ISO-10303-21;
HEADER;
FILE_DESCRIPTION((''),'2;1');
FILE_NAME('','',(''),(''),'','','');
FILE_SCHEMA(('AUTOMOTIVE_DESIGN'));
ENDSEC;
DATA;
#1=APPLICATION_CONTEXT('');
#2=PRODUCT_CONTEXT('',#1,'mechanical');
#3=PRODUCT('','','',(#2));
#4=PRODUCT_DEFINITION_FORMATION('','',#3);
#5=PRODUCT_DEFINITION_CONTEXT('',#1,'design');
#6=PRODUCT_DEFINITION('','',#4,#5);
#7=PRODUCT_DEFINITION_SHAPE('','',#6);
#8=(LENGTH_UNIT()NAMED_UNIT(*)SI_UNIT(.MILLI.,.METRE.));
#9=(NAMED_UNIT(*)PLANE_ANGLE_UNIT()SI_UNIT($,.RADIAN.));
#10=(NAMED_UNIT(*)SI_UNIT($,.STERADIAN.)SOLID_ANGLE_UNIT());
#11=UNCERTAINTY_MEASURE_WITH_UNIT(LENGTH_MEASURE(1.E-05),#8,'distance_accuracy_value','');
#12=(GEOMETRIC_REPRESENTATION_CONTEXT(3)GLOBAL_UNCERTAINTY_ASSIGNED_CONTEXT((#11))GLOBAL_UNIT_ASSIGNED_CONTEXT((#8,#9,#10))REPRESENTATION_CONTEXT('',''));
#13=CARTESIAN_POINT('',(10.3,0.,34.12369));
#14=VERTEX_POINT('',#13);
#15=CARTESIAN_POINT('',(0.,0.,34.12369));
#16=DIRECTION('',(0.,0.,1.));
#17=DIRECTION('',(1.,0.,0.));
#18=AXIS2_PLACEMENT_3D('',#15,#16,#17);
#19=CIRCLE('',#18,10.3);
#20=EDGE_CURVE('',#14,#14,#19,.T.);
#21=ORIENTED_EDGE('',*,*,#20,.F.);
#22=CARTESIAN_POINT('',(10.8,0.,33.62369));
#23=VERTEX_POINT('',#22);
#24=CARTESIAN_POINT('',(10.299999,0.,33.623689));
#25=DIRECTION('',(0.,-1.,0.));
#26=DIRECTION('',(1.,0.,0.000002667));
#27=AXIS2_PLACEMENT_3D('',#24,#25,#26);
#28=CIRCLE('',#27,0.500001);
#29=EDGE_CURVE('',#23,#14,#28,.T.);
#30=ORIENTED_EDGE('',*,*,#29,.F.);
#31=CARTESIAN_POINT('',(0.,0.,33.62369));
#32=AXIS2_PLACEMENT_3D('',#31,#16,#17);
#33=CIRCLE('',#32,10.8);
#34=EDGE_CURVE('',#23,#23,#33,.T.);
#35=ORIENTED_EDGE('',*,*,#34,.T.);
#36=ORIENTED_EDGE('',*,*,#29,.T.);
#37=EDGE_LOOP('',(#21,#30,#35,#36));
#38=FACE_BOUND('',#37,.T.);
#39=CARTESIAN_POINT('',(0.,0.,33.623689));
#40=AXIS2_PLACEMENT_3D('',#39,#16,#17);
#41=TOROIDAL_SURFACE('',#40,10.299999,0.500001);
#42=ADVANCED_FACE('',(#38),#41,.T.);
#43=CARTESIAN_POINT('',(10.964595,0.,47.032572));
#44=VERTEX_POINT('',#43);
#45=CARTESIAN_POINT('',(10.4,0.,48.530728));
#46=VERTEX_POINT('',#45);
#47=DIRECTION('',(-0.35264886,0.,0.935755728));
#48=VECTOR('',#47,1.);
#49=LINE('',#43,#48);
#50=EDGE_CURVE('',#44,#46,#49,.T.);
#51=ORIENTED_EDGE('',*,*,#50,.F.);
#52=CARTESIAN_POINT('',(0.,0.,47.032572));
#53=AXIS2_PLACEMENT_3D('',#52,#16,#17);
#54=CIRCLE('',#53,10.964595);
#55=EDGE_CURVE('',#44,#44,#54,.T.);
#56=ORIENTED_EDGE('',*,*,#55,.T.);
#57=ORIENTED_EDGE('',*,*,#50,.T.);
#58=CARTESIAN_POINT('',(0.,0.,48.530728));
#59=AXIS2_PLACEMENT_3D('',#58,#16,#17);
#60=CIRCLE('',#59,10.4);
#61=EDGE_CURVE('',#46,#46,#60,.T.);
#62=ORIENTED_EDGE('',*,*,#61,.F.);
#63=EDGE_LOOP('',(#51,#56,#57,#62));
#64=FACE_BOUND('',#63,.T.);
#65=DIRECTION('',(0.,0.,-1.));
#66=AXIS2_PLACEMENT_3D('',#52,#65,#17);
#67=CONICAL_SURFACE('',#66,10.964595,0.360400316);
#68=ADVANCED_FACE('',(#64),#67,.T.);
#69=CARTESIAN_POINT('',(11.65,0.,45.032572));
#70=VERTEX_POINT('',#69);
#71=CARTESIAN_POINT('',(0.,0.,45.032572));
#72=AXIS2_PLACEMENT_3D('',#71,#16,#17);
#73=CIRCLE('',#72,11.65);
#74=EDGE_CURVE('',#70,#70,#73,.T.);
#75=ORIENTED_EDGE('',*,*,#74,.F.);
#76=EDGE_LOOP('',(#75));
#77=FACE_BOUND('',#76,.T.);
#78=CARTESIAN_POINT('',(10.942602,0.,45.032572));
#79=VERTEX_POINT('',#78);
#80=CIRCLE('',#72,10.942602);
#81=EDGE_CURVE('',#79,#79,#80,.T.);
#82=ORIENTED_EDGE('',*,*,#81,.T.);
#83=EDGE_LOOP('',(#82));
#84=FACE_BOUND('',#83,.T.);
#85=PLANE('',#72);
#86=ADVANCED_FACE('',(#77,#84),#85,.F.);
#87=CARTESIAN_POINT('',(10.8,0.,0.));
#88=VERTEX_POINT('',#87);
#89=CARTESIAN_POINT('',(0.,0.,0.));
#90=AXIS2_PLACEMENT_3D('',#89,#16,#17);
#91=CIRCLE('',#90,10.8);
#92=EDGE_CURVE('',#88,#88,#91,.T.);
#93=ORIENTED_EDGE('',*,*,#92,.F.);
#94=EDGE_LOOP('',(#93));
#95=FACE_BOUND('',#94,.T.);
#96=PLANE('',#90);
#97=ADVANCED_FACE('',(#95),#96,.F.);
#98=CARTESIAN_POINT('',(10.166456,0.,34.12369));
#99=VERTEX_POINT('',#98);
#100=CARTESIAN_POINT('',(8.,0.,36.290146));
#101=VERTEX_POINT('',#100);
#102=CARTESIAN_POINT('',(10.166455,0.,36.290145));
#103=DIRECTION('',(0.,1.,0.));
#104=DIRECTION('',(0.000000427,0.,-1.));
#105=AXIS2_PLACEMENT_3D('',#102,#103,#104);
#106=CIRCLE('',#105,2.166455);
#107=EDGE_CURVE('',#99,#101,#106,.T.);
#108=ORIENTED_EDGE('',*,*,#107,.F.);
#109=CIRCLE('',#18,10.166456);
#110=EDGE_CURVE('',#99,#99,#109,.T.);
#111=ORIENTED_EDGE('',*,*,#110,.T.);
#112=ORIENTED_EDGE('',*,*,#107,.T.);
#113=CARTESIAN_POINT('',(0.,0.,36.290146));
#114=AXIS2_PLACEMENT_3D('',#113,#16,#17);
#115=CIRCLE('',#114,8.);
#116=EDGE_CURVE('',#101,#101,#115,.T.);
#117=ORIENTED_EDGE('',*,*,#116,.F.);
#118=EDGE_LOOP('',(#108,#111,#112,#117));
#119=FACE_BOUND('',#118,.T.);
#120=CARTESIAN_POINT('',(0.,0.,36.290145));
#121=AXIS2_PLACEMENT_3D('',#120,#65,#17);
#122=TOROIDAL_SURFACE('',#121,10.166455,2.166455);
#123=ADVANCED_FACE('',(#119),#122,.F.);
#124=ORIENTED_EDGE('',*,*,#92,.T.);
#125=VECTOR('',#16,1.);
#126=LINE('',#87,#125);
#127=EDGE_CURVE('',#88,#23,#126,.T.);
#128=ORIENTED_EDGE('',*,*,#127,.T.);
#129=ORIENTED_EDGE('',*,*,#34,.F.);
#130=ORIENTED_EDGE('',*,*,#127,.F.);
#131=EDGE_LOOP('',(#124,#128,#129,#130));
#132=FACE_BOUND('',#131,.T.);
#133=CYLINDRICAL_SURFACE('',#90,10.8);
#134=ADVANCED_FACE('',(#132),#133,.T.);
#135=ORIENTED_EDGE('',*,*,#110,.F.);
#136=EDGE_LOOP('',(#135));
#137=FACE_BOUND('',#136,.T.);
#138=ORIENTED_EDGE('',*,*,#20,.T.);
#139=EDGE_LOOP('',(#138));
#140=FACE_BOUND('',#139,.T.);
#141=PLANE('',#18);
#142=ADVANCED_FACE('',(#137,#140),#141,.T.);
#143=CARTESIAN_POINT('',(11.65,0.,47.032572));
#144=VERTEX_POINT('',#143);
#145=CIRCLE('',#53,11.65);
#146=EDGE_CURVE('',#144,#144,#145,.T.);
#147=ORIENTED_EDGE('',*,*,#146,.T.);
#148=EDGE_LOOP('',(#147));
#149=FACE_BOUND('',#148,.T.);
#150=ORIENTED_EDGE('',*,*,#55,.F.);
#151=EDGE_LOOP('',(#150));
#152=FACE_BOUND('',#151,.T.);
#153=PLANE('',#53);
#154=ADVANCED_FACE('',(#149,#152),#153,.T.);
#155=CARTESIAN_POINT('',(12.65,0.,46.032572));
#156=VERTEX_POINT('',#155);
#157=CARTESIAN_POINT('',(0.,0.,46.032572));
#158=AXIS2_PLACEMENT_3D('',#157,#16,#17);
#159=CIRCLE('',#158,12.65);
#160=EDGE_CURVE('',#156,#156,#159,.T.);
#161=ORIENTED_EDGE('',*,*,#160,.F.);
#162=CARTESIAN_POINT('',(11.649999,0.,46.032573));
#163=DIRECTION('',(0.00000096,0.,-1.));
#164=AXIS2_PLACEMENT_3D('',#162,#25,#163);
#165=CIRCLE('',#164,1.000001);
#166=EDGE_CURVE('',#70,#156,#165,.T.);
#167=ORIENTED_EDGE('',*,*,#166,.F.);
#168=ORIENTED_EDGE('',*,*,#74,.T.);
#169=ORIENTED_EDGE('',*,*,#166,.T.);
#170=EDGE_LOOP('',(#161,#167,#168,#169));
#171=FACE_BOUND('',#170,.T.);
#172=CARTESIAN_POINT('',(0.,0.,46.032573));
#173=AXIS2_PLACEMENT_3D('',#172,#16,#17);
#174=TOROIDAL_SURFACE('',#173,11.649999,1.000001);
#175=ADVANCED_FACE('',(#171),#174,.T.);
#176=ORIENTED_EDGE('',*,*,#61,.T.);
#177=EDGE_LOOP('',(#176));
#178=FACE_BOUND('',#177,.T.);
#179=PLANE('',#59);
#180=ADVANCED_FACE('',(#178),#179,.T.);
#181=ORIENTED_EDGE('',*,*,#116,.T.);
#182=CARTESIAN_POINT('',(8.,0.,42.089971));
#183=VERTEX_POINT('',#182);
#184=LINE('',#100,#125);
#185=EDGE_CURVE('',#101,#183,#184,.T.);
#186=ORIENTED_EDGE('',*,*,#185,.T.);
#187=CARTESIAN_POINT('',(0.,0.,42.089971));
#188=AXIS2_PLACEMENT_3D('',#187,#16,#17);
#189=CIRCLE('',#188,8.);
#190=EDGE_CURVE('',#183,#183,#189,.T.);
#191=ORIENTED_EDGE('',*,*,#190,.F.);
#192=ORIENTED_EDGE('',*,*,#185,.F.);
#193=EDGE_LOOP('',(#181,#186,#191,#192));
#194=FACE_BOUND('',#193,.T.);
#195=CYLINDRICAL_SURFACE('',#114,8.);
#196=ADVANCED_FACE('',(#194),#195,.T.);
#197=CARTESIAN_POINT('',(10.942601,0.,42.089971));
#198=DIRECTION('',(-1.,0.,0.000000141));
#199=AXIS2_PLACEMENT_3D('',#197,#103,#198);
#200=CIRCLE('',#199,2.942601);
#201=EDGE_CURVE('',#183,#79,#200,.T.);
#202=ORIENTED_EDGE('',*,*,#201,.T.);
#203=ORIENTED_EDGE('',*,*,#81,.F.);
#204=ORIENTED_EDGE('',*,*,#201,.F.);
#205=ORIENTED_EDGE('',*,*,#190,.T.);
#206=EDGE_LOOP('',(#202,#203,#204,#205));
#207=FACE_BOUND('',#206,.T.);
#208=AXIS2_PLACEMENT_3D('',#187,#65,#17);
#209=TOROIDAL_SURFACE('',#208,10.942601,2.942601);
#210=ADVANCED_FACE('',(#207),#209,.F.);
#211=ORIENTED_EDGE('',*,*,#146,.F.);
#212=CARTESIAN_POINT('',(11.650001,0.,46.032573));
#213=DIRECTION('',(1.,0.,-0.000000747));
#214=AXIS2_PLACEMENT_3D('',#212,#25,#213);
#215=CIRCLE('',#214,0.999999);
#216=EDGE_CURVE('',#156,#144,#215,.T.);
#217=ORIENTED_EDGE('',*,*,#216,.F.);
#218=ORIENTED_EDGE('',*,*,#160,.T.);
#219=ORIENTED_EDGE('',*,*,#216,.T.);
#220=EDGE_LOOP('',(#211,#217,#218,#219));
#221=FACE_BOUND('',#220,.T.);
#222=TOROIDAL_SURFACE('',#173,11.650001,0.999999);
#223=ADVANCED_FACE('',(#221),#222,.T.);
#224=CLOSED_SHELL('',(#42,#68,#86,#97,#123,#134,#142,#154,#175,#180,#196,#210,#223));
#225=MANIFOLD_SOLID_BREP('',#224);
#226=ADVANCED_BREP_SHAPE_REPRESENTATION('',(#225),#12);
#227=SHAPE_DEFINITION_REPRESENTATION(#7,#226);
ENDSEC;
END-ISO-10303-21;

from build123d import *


with BuildPart() as f2:
    # F0 (on Front) → F2 (revolve)
    with BuildSketch(Plane.XZ):
        with BuildLine():
            Line((0, 48.530728), (0, 0))
            Line((0, 0), (10.8, 0))
            Line((10.8, 0), (10.8, 33.62369))
            ThreePointArc((10.8, 33.62369), (10.653553, 33.977243), (10.3, 34.12369))
            Line((10.3, 34.12369), (10.166456, 34.12369))
            ThreePointArc((10.166456, 34.12369), (8.63454, 34.75823), (8, 36.290146))
            Line((8, 36.290146), (8, 42.089971))
            ThreePointArc((8, 42.089971), (8.861868, 44.170704), (10.942602, 45.032572))
            Line((10.942602, 45.032572), (11.65, 45.032572))
            ThreePointArc((11.65, 45.032572), (12.357107, 45.325466), (12.65, 46.032572))
            ThreePointArc((12.65, 46.032572), (12.357107, 46.739679), (11.65, 47.032572))
            Line((11.65, 47.032572), (10.964595, 47.032572))
            Line((10.964595, 47.032572), (10.4, 48.530728))
            Line((10.4, 48.530728), (0, 48.530728))
        make_face()
    revolve(axis=Axis((0, 0, 62.639551), (0, 0, 1)))


solid = f2.part
